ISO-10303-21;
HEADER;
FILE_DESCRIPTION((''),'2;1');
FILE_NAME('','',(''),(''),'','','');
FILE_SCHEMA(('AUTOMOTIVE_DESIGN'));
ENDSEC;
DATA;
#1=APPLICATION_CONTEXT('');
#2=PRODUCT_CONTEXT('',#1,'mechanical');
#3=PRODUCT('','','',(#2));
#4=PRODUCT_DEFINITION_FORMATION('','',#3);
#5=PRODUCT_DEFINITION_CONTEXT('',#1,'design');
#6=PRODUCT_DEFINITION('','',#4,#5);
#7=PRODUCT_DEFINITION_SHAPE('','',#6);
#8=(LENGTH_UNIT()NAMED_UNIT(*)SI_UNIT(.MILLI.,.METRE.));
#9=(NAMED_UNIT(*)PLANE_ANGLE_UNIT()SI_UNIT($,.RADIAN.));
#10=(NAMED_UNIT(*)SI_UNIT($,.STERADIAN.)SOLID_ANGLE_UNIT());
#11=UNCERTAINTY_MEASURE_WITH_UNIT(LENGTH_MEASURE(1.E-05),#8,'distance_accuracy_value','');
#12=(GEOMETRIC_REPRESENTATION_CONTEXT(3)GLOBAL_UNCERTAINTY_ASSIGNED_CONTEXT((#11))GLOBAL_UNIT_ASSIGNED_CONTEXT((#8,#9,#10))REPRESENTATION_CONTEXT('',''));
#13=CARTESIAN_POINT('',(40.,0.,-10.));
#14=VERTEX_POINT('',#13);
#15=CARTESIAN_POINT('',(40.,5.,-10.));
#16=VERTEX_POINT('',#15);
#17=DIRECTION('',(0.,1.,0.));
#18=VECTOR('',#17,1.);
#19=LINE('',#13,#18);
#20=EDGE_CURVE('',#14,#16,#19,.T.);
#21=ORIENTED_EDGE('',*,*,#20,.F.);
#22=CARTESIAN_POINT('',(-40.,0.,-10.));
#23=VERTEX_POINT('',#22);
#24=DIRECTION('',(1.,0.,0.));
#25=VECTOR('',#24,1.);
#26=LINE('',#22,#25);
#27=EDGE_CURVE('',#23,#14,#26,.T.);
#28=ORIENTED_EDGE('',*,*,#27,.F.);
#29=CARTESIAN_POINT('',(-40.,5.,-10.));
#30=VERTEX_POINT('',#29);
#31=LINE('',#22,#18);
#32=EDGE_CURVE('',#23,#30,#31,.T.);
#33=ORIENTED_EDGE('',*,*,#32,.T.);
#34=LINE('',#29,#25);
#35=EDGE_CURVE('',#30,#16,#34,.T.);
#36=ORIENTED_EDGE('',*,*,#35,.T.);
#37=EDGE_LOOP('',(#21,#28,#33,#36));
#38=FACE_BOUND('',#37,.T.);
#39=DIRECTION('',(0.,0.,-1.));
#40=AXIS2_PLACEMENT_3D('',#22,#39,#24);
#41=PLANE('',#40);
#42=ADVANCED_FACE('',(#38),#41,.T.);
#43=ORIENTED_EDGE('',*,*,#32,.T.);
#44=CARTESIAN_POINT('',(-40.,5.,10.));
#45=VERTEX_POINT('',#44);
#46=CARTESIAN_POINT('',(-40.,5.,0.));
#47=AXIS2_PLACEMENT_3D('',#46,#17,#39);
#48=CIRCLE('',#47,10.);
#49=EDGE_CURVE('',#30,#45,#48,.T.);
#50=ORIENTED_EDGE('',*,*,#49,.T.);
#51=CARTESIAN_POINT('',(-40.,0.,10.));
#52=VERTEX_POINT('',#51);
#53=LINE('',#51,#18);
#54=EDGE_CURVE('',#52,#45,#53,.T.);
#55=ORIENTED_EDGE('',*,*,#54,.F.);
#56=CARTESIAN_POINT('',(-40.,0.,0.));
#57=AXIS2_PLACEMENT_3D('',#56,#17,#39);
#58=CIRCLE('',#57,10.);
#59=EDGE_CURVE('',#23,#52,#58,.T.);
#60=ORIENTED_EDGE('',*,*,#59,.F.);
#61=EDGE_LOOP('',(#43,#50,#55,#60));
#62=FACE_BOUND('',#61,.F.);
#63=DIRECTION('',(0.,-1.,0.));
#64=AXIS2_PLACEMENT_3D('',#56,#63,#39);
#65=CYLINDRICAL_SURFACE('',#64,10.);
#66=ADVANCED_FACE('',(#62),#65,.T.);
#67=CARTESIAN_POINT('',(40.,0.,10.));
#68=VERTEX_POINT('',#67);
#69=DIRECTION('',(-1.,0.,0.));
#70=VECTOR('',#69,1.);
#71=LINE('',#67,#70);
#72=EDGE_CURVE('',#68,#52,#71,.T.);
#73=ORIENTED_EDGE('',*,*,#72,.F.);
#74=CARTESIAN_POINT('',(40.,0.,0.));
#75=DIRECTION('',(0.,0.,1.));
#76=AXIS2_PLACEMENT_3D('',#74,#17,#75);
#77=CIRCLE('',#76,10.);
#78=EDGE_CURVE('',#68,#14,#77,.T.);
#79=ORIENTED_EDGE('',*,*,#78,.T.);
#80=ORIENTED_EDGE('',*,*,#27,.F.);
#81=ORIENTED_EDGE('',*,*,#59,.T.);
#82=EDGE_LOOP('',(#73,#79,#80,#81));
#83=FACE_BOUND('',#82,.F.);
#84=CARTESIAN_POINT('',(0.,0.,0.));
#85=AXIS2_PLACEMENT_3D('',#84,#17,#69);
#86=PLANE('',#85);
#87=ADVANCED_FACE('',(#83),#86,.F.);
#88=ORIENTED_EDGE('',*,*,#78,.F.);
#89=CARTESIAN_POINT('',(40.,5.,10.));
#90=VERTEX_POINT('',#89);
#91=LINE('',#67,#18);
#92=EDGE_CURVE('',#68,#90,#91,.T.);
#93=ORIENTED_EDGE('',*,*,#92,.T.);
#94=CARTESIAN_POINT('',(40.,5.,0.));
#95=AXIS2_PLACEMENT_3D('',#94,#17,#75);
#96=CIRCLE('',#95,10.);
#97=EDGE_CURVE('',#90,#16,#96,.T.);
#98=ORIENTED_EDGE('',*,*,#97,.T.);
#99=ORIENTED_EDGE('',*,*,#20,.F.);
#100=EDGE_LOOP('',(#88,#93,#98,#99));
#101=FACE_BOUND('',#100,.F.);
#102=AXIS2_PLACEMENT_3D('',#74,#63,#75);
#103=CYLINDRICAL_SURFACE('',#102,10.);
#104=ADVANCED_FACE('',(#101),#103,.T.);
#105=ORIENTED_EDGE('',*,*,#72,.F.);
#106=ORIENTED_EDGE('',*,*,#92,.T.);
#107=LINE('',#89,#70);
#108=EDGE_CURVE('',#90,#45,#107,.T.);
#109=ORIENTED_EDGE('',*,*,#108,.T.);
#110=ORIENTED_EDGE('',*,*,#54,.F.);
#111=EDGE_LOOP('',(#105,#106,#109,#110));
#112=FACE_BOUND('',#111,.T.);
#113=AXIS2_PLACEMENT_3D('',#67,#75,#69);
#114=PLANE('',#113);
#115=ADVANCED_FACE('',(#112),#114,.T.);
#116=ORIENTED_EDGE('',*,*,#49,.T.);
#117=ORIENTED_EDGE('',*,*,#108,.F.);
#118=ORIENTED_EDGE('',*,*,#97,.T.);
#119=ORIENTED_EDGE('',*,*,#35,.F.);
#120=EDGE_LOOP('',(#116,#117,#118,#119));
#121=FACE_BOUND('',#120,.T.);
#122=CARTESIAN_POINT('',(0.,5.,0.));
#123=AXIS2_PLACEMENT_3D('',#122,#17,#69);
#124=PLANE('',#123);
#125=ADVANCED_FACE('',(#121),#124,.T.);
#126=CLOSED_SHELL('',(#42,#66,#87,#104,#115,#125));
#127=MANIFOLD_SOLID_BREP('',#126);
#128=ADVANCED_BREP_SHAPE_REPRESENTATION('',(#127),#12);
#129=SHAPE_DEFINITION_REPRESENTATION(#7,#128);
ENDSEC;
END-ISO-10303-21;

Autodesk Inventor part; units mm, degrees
ref_plane "YZ Plane" through (0, 0, 0) normal (1, 0, 0) x (0, 1, 0)
ref_plane "XZ Plane" through (0, 0, 0) normal (0, 1, 0) x (-1, 0, 0)
ref_plane "XY Plane" through (0, 0, 0) normal (0, 0, 1) x (1, 0, 0)
sketch "Sketch1" plane through (0, 0, 0) normal (0, 1, 0) x (-1, 0, 0)
  line L0 (40, -10) -> (-40, -10)
  arc A0 (-40, 10) -> (-40, -10) centre (-40, 0) ccw
  line L1 (-40, 10) -> (40, 10)
  arc A1 (40, -10) -> (40, 10) centre (40, 0) ccw
  point P0 (0, 0)
  point P1 (0, -10)
  point P2 (-50, 0)
  dimension "d0" = 10
  dimension "d1" = 80
extrude "Extrusion1" add sketch "Sketch1" along normal blind 5
properties part number "Phone Stand Bump"
